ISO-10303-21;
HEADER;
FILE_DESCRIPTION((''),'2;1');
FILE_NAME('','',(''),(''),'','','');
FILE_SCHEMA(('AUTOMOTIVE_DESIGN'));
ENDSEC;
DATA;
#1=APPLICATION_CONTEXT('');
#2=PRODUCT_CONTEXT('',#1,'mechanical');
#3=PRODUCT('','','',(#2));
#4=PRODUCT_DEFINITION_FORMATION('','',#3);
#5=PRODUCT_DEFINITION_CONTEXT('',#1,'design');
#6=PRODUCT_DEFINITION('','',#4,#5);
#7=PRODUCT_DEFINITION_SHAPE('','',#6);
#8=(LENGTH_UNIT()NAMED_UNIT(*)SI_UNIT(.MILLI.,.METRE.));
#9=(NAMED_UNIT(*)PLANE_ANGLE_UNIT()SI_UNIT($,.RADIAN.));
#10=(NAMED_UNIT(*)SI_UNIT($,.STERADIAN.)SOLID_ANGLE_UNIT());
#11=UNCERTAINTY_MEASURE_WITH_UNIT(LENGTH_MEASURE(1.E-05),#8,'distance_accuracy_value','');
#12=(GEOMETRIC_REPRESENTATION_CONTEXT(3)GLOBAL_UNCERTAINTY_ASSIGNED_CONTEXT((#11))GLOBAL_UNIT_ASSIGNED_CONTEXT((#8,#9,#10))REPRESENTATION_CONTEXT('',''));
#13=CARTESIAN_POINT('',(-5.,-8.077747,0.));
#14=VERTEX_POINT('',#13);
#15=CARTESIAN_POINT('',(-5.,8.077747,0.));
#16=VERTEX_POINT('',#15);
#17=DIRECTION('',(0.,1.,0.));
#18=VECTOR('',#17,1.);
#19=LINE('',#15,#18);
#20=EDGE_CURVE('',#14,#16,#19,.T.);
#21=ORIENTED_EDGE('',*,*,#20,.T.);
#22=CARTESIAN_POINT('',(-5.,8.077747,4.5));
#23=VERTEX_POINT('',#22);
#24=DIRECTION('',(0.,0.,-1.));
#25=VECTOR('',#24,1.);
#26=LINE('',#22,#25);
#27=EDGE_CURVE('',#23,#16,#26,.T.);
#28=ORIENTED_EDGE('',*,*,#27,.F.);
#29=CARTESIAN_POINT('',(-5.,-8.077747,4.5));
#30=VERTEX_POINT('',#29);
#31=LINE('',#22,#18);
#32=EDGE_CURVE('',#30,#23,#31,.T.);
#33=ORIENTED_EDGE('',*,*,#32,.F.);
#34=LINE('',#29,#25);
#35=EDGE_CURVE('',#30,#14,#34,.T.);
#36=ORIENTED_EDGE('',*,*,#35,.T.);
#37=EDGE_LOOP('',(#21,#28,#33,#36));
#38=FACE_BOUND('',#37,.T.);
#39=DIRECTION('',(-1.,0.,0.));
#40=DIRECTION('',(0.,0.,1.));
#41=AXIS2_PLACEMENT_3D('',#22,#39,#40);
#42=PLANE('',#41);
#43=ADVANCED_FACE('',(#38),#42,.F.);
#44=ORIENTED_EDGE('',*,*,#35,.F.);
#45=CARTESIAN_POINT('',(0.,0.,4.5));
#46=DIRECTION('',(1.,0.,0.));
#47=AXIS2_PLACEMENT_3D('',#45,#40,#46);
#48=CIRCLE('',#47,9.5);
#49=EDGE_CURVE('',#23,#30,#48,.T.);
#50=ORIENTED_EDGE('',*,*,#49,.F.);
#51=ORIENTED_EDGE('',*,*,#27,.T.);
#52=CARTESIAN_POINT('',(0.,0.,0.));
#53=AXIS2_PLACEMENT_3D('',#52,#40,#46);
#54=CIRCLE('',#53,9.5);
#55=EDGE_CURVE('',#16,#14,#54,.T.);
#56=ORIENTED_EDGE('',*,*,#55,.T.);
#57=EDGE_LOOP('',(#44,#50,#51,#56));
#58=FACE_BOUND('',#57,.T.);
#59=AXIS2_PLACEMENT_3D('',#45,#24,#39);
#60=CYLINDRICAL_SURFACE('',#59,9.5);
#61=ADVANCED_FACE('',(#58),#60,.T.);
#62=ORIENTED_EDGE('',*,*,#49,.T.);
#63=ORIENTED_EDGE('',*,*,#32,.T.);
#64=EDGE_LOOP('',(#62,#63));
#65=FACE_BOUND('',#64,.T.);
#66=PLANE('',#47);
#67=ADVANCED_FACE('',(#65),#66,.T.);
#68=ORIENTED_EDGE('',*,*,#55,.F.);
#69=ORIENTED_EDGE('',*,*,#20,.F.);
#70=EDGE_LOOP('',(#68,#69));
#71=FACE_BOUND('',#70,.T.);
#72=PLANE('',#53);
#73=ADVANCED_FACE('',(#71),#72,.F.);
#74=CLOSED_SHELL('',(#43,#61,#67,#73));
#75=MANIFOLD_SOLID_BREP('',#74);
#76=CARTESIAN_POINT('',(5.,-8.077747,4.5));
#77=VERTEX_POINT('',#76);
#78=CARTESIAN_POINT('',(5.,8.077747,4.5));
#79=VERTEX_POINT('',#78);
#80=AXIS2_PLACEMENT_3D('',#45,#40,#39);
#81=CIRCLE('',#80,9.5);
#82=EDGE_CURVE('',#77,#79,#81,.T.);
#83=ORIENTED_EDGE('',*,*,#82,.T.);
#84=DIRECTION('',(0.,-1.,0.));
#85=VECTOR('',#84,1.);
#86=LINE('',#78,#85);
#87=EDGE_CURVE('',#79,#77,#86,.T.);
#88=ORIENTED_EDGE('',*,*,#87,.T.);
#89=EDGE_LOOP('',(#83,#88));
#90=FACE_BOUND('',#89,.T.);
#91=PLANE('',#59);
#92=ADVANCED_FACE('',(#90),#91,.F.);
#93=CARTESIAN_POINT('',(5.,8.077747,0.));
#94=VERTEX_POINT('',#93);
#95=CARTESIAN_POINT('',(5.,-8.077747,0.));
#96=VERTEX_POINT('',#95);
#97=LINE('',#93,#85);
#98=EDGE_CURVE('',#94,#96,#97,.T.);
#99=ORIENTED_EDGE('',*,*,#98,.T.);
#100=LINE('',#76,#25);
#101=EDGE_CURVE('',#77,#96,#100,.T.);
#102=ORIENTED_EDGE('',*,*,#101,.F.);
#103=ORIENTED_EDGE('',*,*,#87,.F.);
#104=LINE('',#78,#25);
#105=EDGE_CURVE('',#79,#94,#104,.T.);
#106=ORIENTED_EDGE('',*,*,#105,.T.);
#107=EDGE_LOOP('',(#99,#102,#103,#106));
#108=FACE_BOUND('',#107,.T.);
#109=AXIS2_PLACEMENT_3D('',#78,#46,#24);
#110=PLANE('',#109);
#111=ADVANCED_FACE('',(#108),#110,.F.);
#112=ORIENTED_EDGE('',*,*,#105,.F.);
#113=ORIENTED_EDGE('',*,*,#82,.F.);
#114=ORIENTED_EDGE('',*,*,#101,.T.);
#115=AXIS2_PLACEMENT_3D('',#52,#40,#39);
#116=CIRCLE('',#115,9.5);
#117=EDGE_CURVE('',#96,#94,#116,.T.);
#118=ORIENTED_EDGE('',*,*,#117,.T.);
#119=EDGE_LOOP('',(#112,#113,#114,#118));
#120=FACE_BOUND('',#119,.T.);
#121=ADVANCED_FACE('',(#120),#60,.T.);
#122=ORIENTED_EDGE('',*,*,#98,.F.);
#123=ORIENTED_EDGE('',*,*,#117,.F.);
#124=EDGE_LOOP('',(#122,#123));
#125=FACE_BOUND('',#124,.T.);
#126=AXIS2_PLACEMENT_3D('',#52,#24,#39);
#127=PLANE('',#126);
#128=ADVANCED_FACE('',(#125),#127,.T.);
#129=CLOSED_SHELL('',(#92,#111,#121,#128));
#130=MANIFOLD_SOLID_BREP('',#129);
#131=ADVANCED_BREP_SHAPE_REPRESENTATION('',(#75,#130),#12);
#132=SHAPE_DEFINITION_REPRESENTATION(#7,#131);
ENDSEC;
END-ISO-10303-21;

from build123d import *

# Parameters (mm, degrees)
BOSS_EXTRUDE1_DEPTH   = 4.5
BOSS_EXTRUDE1_2_DEPTH = 4.5


with BuildPart() as part:
    # Sketch1 → Boss-Extrude1 (new body)
    with BuildSketch(Plane.XY):
        with BuildLine():
            Line((-5, 8.077747211), (-5, -8.077747211))
            ThreePointArc((-5, -8.077747211), (-9.5, 0), (-5, 8.077747211))
        make_face()
    extrude(amount=BOSS_EXTRUDE1_DEPTH)


with BuildPart() as body_2:
    # Sketch1 → Boss-Extrude1 2 (new body)
    with BuildSketch(Plane.XY):
        with BuildLine():
            Line((5, 8.077747211), (5, -8.077747211))
            ThreePointArc((5, -8.077747211), (9.5, 0), (5, 8.077747211))
        make_face()
    extrude(amount=BOSS_EXTRUDE1_2_DEPTH)


solid = Compound([part.part, body_2.part])
